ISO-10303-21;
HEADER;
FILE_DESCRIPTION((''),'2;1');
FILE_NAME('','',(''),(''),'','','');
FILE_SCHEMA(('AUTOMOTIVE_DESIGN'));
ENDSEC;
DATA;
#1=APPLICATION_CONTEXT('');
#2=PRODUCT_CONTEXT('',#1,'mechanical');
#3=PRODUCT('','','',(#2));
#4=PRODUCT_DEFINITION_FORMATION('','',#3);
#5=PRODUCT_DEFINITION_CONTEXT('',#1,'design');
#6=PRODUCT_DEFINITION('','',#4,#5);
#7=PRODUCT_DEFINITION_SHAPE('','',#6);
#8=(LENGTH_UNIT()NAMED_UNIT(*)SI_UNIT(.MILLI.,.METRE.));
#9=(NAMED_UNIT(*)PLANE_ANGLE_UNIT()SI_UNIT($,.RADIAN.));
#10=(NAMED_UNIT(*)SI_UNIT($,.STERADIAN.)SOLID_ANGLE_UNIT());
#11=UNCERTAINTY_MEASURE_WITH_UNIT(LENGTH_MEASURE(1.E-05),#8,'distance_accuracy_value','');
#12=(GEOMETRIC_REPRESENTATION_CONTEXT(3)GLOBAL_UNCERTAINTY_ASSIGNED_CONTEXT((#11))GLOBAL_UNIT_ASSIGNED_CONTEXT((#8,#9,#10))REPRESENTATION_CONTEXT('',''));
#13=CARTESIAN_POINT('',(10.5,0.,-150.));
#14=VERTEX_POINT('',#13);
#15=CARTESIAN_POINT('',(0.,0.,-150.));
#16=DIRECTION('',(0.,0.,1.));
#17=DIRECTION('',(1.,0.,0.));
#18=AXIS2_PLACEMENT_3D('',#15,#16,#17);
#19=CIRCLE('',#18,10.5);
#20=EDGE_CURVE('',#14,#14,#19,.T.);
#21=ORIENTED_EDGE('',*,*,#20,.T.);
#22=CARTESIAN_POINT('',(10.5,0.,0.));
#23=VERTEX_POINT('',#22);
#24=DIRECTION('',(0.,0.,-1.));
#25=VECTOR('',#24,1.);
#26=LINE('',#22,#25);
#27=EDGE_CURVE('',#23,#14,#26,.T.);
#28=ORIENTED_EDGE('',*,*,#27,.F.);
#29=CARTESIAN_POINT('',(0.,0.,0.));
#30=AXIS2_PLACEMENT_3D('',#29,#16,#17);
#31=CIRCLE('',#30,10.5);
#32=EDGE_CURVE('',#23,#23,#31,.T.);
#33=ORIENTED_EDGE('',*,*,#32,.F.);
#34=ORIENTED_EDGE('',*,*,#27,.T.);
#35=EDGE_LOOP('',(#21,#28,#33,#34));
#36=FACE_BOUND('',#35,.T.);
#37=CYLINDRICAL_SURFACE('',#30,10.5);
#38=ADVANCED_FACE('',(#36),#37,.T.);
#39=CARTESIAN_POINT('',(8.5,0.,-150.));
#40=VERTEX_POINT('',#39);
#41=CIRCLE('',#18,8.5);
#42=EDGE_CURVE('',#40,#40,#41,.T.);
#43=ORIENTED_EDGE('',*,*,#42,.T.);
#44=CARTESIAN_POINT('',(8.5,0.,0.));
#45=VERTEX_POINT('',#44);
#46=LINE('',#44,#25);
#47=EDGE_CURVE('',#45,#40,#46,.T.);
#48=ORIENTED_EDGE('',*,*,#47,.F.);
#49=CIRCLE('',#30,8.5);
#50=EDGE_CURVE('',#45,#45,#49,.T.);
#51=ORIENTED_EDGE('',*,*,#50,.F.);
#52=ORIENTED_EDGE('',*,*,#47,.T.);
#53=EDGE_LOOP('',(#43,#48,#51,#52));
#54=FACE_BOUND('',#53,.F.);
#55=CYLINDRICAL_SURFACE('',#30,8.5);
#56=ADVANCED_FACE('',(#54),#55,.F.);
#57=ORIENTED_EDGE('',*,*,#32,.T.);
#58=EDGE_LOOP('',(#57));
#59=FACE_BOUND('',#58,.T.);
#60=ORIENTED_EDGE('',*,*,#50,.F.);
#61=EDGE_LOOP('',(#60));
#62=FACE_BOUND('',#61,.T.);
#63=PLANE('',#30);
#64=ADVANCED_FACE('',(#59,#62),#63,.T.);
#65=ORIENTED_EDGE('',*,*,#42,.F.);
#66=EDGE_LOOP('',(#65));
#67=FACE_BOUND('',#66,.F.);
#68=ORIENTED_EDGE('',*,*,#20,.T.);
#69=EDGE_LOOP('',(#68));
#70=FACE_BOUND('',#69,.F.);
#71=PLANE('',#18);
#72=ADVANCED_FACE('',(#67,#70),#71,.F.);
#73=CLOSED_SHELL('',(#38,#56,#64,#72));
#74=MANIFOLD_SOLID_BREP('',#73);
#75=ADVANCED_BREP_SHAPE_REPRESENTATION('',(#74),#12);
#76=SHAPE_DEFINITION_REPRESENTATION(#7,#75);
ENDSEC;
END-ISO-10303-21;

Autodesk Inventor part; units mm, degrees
ref_plane "YZ Plane" through (0, 0, 0) normal (1, 0, 0) x (0, 1, 0)
ref_plane "XZ Plane" through (0, 0, 0) normal (0, 1, 0) x (-1, 0, 0)
ref_plane "XY Plane" through (0, 0, 0) normal (0, 0, 1) x (1, 0, 0)
sketch "Sketch11" plane through (0, 0, 0) normal (0, 0, 1) x (1, 0, 0)
  circle A0 centre (0, 0) radius 10.5
  circle A1 centre (0, 0) radius 8.5
  dimension "d187" = 21
  dimension "d188" = 2
extrude "Extrusion5" add sketch "Sketch11" against normal blind 150
properties part number "PNS 757 FDS 1200 way tube 5" material "Stainless Steel"
